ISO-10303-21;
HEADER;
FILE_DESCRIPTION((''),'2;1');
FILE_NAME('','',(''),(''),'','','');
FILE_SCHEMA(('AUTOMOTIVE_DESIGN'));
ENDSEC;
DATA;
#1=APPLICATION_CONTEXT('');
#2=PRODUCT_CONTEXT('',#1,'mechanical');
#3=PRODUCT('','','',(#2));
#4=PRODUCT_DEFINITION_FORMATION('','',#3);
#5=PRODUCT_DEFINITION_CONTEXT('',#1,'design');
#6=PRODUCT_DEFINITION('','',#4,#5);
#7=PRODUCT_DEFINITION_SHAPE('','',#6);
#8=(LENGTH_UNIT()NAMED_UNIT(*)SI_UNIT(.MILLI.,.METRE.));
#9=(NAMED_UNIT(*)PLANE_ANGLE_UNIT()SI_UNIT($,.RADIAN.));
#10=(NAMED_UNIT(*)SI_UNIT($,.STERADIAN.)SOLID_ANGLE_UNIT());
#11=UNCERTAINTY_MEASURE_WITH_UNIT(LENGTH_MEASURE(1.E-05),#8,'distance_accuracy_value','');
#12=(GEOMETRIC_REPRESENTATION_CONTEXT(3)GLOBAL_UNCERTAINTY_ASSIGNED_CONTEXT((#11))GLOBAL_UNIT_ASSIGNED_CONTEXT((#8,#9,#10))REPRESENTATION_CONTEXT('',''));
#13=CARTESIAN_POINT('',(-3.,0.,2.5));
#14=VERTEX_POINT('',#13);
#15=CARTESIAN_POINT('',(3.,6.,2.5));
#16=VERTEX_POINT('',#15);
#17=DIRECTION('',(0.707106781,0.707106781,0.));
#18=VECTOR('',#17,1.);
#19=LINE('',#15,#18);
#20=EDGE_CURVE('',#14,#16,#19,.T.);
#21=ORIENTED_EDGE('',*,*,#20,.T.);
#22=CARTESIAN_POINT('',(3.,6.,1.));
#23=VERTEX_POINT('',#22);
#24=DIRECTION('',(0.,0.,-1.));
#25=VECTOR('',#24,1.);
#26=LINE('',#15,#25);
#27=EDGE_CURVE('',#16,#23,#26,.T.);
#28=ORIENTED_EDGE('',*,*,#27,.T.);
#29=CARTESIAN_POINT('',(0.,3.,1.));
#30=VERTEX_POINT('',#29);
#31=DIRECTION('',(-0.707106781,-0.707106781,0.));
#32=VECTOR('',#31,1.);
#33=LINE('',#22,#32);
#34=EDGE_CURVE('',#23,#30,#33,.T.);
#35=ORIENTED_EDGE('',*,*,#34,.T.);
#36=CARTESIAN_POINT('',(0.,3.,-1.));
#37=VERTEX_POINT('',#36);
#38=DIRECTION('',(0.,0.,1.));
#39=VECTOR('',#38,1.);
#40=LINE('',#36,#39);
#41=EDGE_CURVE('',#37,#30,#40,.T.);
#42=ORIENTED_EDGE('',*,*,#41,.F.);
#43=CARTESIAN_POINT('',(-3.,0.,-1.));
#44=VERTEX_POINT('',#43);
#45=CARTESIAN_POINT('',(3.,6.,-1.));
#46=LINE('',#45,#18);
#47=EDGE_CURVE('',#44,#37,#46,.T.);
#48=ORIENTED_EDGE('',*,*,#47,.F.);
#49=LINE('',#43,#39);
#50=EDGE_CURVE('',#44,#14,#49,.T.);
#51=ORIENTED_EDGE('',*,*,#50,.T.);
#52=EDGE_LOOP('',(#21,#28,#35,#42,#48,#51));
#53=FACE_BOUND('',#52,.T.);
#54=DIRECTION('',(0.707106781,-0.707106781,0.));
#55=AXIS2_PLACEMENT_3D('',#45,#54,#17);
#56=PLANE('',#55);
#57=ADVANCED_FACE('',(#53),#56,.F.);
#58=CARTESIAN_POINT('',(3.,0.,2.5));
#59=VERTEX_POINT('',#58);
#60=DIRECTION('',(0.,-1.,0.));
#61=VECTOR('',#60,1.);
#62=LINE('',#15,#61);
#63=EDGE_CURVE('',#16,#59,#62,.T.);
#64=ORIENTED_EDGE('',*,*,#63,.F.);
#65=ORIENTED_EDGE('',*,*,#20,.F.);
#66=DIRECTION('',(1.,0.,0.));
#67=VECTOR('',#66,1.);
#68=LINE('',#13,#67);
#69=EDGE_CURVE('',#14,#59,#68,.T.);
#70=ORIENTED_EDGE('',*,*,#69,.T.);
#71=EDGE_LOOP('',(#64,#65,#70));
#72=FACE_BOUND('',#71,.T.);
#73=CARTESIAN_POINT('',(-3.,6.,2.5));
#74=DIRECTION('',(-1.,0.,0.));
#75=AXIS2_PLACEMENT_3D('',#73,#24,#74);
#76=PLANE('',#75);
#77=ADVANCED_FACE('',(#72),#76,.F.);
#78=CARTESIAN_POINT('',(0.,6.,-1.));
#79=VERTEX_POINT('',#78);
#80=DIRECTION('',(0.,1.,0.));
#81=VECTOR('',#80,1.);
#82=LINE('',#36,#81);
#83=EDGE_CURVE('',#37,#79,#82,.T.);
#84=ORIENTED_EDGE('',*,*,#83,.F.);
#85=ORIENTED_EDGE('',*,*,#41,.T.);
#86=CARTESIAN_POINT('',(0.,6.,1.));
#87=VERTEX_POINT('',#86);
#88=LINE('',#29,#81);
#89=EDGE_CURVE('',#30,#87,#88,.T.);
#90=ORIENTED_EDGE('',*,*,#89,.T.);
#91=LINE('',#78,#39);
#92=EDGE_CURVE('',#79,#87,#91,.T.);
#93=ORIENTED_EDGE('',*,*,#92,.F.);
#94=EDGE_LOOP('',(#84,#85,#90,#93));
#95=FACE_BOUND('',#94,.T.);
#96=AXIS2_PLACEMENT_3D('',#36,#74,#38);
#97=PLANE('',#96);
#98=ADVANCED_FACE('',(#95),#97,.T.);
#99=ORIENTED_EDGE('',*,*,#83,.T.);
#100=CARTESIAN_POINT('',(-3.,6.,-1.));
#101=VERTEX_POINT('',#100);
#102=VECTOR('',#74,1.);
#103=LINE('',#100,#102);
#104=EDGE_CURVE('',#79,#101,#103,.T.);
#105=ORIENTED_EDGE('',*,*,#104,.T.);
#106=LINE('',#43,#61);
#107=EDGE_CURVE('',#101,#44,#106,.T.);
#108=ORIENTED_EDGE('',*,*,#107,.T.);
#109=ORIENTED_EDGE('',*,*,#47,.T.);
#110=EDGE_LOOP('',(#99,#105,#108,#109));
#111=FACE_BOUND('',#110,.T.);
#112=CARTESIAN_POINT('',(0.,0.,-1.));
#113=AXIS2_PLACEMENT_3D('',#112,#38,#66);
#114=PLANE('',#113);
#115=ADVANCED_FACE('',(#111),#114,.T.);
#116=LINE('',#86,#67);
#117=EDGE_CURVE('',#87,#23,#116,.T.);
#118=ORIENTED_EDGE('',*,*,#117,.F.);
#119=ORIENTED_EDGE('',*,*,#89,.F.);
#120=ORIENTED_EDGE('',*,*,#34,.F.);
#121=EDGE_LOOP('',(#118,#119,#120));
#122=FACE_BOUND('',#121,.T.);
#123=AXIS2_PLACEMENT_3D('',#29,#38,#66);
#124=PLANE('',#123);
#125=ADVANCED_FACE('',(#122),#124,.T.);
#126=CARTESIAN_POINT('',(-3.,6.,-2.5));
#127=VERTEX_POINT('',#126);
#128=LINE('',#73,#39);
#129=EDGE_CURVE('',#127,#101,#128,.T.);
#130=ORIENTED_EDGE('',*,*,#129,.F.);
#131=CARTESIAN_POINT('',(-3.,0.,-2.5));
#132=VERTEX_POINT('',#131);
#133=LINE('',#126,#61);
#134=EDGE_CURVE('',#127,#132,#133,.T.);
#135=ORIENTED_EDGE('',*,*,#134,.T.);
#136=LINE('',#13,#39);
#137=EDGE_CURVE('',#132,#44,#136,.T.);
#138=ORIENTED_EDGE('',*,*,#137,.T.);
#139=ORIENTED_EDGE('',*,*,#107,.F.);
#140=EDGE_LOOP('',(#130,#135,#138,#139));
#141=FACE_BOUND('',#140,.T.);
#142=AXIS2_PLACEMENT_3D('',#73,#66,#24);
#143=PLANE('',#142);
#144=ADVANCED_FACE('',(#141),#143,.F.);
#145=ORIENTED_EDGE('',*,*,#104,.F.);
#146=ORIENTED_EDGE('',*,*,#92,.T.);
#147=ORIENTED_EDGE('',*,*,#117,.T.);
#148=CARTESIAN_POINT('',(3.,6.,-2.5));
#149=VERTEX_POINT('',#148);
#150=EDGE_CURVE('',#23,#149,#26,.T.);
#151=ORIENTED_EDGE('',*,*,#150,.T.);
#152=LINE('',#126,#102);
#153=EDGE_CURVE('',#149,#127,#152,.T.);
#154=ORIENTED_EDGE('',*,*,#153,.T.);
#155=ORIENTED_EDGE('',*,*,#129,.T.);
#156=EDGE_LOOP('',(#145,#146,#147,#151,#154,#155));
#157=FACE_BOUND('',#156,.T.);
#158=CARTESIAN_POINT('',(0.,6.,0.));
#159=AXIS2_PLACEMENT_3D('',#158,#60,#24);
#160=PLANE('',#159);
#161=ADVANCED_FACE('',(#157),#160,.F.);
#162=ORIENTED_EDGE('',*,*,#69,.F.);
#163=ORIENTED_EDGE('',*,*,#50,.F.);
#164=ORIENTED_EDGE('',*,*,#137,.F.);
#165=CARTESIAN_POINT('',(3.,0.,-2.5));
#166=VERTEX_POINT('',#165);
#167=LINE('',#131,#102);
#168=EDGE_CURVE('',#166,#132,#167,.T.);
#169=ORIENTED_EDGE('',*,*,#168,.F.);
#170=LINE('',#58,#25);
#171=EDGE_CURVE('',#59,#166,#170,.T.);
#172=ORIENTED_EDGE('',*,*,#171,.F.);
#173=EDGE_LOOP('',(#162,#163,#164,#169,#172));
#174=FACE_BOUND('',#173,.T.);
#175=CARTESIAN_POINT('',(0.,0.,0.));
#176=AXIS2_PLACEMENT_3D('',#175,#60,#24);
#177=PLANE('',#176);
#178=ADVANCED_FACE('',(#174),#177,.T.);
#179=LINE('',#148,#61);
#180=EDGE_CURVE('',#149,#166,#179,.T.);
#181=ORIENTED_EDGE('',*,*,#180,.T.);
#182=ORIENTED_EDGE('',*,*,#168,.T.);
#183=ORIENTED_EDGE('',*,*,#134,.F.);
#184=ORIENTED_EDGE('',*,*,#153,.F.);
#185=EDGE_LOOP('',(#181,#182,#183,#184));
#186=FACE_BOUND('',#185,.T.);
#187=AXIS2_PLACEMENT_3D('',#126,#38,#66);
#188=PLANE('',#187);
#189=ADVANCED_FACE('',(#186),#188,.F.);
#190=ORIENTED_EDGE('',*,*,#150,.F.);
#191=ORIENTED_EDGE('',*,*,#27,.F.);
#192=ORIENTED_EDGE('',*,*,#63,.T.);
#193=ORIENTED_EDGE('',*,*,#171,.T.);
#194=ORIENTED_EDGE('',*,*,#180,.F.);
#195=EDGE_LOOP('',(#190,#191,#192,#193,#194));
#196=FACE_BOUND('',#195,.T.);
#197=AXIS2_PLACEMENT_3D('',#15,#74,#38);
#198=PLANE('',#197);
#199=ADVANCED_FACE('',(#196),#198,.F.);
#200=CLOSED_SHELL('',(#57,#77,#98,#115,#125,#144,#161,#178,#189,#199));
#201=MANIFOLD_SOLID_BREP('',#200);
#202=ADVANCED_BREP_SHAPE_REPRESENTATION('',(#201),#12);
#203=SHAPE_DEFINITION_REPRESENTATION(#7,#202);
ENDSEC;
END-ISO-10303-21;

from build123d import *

# Parameters (mm, degrees)
SKETCH1_W           = 6
SKETCH1_H           = 5
BOSS_EXTRUDE1_DEPTH = 6
CUT_EXTRUDE1_DEPTH  = 3.5
SKETCH3_W           = 3
SKETCH3_H           = 2
BOSS_EXTRUDE2_DEPTH = 3


with BuildPart() as part:
    # Sketch1 → Boss-Extrude1 (new body)
    with BuildSketch(Plane(origin=(0, 0, 0), x_dir=(1, 0, 0), z_dir=(0, 1, 0))):
        Rectangle(SKETCH1_W, SKETCH1_H)
    extrude(amount=BOSS_EXTRUDE1_DEPTH)

    # Sketch2 → Cut-Extrude1 (cut)
    with BuildSketch(Plane.XY.offset(2.5)):
        Polygon((3, 6), (-3, 0), (-3, 6), align=None)
    extrude(amount=-CUT_EXTRUDE1_DEPTH, mode=Mode.SUBTRACT)

    # Sketch3 → Boss-Extrude2 (add)
    with BuildSketch(Plane(origin=(0, 6, 0), x_dir=(1, 0, 0), z_dir=(0, 1, 0))):
        with Locations((1.5, 0)):
            Rectangle(SKETCH3_W, SKETCH3_H)
    extrude(amount=-BOSS_EXTRUDE2_DEPTH)


solid = part.part
